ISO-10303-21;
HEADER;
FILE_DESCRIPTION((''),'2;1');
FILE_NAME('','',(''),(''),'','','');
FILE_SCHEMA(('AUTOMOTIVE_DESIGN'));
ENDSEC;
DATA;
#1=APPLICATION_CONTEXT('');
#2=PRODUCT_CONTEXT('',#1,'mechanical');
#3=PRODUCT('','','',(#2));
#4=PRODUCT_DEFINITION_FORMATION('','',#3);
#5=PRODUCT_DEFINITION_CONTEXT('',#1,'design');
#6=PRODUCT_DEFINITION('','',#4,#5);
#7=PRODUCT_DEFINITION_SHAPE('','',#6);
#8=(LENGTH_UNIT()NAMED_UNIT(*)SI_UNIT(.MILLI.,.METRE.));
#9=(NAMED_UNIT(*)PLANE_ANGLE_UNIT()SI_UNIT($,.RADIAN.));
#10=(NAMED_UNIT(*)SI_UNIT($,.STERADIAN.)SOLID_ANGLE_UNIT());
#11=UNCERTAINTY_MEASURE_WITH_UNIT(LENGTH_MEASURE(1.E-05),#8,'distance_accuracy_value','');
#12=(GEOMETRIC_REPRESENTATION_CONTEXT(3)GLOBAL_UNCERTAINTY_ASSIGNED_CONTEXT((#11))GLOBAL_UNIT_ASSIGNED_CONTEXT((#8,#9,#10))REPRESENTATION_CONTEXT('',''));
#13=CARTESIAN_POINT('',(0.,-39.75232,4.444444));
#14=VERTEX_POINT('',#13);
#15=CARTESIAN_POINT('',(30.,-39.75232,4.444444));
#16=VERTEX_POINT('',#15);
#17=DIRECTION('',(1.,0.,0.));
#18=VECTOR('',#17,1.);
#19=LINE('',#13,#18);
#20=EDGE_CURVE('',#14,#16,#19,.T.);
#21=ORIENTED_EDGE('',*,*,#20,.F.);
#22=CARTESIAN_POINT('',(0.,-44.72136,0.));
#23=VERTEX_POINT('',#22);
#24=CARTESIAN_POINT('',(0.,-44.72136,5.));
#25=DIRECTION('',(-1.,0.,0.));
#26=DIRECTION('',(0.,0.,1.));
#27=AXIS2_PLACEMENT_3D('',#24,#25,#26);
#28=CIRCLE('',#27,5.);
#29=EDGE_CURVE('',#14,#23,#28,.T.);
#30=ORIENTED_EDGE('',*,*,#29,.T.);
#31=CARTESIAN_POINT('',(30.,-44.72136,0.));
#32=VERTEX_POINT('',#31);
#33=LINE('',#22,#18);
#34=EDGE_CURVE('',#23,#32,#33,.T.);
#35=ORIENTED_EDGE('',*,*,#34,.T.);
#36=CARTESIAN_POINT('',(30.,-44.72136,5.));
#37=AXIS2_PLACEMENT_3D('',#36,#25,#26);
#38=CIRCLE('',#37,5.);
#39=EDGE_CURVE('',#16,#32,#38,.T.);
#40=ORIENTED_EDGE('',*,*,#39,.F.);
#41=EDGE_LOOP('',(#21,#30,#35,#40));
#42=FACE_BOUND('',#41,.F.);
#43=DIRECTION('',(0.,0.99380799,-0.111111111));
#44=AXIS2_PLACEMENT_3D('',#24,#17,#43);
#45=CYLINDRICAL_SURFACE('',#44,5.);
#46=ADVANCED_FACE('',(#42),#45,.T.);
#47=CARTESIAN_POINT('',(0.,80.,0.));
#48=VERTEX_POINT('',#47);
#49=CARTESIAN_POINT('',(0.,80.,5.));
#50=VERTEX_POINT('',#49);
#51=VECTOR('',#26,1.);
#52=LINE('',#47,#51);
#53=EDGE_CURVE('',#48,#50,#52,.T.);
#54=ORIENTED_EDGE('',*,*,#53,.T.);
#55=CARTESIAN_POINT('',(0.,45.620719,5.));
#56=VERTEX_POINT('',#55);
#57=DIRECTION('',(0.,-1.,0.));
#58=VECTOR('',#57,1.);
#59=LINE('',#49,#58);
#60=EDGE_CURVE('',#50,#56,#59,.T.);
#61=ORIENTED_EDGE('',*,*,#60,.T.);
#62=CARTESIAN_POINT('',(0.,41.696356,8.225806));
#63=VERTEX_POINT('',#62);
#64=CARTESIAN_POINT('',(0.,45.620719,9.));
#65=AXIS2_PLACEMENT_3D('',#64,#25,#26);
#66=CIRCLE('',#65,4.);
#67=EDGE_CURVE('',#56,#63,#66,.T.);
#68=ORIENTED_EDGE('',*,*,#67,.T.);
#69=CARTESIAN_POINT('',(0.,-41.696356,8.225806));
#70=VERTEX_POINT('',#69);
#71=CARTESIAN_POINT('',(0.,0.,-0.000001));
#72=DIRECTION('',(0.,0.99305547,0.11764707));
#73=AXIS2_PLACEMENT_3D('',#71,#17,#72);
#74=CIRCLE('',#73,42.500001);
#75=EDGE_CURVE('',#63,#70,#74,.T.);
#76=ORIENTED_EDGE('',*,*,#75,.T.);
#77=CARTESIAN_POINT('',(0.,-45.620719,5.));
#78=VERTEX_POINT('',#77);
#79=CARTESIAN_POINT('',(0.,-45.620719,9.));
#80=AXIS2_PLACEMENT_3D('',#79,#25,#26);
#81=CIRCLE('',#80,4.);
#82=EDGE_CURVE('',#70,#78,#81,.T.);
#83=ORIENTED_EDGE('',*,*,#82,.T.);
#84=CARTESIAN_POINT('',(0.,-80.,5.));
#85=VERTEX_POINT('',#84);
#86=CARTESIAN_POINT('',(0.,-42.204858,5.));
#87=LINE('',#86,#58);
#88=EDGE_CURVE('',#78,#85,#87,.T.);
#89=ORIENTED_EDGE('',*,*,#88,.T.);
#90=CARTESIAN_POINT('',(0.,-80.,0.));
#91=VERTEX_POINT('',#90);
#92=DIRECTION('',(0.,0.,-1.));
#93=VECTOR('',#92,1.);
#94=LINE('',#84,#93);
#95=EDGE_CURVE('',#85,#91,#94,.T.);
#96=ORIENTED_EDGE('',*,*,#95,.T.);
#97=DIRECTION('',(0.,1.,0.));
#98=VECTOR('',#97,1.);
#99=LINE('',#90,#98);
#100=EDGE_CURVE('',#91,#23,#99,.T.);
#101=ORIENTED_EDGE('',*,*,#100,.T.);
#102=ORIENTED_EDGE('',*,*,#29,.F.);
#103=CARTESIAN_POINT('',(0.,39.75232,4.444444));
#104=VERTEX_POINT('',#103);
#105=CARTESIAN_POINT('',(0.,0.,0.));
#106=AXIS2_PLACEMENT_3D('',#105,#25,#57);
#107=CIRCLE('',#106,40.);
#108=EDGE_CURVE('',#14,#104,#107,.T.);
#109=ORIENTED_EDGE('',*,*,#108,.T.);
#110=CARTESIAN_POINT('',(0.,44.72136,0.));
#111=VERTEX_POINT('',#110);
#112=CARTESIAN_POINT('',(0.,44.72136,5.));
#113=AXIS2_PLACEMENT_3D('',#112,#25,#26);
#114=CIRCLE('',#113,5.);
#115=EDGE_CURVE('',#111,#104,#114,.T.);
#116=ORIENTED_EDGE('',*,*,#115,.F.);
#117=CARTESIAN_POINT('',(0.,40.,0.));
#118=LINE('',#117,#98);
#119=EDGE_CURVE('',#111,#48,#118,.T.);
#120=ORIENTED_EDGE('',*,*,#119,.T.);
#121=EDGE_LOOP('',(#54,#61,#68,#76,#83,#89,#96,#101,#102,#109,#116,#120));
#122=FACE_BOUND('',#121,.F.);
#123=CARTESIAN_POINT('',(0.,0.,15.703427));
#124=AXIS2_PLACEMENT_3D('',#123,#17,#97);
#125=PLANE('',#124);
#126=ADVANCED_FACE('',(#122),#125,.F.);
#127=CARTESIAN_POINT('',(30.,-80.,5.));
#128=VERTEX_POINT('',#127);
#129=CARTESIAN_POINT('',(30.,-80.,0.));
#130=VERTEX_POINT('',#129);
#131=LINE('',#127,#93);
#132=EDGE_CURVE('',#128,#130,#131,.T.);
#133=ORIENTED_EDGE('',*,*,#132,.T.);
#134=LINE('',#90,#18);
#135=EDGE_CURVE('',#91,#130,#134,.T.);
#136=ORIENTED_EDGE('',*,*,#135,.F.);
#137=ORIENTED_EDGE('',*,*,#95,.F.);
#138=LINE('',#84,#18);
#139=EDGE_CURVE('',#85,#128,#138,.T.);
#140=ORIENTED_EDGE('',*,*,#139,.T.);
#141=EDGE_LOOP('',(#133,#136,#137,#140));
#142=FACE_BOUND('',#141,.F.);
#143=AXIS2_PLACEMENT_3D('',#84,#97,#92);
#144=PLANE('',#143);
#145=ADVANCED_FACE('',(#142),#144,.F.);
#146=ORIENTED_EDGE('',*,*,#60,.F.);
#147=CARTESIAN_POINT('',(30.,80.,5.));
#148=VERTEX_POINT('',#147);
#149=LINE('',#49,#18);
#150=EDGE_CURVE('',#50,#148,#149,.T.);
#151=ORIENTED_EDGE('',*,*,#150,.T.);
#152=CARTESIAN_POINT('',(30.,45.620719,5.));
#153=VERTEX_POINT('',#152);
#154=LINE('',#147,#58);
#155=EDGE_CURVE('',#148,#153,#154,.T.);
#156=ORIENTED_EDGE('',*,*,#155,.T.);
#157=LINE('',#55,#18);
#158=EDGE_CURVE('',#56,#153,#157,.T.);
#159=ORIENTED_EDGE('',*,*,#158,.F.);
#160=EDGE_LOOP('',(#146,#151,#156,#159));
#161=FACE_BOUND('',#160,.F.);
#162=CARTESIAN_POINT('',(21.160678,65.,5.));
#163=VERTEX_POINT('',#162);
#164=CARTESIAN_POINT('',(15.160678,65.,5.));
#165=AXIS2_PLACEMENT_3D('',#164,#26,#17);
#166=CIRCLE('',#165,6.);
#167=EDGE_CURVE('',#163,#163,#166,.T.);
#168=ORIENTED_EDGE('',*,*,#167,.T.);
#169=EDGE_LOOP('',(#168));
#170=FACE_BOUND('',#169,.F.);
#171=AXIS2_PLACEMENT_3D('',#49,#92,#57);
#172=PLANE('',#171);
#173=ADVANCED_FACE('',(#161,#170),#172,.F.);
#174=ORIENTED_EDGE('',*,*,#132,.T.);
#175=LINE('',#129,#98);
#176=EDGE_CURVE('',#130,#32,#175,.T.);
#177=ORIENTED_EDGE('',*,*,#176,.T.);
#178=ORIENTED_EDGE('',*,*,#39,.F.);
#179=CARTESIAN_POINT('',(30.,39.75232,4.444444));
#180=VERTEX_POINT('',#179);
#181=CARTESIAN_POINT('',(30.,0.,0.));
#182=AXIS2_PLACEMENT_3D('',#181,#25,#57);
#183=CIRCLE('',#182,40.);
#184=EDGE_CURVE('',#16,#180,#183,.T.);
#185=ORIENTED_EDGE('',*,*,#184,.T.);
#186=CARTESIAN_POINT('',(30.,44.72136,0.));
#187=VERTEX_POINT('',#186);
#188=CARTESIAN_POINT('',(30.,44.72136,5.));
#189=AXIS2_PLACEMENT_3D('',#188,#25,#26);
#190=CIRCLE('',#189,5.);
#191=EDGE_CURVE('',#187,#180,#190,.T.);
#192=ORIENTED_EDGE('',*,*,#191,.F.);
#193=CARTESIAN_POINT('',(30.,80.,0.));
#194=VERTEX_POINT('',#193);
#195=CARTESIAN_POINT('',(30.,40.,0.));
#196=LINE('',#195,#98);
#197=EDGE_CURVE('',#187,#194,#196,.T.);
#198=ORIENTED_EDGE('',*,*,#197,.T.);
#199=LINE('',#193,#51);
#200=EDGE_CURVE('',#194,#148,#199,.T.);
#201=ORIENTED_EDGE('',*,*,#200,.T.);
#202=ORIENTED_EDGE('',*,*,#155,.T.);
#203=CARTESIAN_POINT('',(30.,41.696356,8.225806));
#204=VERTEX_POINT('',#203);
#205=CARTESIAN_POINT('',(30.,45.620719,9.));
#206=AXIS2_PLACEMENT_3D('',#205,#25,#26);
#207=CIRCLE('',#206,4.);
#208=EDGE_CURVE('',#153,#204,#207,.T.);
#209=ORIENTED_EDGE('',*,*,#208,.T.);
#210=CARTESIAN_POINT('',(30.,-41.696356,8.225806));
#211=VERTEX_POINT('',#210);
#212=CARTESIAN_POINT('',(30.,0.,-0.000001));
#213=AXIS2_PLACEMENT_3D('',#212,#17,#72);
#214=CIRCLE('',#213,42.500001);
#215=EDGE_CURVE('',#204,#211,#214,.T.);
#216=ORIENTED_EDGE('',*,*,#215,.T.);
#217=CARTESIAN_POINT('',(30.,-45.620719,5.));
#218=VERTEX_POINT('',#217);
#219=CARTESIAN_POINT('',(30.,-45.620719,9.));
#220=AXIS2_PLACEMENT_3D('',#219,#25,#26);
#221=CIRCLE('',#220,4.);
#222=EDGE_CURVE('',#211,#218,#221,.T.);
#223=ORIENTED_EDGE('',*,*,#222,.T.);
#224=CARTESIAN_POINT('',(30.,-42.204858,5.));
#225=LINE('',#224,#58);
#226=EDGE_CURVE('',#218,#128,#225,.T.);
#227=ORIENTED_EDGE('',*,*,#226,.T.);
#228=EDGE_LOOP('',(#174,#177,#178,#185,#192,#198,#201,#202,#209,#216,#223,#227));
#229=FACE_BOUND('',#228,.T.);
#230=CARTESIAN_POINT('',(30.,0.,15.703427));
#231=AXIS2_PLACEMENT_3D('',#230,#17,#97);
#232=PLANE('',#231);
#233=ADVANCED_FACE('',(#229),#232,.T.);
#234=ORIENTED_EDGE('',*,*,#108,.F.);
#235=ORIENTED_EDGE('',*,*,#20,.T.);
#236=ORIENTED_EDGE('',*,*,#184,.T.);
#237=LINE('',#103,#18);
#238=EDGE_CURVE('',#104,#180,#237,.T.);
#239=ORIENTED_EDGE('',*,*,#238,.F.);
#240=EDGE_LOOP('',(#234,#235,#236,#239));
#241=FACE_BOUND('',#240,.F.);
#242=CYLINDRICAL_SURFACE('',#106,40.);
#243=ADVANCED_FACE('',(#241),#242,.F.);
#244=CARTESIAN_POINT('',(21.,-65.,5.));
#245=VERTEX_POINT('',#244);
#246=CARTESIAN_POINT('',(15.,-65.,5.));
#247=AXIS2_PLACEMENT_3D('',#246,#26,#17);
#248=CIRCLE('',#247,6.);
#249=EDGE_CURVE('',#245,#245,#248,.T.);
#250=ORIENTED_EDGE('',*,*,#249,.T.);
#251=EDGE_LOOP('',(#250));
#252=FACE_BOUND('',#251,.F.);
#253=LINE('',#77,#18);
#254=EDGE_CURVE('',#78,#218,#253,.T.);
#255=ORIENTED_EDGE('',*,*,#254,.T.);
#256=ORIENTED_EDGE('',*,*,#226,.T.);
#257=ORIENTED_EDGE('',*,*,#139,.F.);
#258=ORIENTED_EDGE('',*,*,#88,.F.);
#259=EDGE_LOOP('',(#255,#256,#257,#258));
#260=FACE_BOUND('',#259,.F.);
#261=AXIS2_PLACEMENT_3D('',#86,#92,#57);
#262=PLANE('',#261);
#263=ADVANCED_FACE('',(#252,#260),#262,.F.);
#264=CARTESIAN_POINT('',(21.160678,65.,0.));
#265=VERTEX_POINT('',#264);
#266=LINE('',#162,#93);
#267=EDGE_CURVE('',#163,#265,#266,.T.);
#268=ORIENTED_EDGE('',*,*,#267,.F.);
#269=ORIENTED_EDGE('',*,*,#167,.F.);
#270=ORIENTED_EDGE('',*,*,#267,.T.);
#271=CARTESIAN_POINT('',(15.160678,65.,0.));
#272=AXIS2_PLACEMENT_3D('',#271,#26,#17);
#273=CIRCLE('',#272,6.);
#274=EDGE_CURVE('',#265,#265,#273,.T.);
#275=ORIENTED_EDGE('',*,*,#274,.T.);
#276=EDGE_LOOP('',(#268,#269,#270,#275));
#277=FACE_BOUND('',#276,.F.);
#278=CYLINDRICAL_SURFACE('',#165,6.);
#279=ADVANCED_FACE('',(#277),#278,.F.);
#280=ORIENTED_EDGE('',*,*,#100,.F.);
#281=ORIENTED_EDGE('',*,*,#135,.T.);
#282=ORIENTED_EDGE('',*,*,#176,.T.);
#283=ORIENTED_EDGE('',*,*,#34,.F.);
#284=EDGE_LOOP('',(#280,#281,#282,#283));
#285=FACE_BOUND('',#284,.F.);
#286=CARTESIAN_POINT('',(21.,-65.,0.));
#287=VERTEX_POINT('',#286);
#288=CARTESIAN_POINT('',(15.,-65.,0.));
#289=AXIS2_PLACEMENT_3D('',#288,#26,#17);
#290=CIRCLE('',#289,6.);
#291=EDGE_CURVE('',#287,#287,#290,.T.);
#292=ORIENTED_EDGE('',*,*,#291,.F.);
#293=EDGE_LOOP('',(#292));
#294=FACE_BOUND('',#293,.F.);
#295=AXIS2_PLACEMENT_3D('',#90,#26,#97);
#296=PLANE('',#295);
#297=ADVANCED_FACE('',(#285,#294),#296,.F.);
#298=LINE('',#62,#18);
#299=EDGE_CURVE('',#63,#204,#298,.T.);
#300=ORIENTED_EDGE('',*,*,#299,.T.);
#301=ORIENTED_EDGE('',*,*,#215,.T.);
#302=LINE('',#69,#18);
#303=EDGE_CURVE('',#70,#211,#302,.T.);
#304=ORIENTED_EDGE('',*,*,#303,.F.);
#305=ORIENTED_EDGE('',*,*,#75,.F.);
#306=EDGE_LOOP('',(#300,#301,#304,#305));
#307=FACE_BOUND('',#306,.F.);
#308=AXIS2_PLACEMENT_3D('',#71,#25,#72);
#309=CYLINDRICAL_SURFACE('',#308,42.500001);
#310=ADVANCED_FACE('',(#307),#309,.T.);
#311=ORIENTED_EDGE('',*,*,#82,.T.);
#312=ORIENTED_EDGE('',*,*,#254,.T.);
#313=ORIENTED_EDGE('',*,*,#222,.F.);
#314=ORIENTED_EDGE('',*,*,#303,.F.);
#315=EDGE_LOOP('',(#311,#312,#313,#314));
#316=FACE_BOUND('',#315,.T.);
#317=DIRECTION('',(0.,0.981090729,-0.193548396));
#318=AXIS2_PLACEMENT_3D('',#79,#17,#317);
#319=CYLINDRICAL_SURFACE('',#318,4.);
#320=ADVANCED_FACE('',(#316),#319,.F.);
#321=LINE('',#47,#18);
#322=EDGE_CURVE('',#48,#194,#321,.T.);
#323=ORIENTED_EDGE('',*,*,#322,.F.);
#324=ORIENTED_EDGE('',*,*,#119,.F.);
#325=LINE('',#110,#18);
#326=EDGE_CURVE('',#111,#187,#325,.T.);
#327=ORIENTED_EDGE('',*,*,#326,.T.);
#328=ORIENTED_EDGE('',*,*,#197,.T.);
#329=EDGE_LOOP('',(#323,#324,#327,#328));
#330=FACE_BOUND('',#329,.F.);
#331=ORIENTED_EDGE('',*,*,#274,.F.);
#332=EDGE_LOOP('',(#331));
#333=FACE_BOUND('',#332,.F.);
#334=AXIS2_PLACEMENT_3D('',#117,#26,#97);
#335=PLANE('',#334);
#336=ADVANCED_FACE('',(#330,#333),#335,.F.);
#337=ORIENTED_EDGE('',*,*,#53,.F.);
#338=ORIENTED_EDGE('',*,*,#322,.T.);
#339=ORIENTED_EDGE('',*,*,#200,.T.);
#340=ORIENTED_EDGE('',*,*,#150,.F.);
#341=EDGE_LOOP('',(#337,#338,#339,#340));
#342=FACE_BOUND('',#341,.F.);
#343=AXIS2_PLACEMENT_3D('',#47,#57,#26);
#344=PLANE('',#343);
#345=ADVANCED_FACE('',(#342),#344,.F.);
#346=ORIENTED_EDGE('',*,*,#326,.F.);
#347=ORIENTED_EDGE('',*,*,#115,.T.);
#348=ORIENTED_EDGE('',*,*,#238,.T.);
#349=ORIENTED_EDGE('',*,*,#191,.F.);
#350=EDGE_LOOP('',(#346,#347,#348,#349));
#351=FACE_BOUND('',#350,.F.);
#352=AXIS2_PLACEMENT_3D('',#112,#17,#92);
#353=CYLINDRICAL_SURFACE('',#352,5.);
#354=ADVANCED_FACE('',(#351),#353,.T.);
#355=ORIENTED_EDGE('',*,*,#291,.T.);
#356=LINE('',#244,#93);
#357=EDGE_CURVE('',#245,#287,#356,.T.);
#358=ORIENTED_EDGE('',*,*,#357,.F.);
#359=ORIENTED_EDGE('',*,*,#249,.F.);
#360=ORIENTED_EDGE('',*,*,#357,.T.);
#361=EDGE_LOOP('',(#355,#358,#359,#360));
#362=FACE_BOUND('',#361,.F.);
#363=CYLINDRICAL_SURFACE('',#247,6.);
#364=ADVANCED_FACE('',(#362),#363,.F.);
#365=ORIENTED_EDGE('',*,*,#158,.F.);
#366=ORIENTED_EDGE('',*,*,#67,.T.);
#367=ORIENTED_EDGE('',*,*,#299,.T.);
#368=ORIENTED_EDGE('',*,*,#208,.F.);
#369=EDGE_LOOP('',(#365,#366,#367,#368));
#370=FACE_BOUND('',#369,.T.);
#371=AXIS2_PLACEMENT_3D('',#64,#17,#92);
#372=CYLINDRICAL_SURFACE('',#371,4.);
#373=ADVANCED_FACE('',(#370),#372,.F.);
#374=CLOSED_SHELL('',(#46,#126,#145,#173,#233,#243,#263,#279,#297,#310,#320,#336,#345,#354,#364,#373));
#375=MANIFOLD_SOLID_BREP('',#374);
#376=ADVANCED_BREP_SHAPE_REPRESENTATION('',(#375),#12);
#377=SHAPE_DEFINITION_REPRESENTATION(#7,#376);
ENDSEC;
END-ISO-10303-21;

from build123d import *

# Parameters (mm, degrees)
F1_DEPTH = 30
F2_R     = 4
F3_R     = 5
F4_R     = 6
F5_DEPTH = 25


with BuildPart() as f1:
    # F0 (on Right) → F1 (new body)
    with BuildSketch(Plane.YZ):
        with BuildLine():
            Line((80, 5), (42.204858, 5))
            ThreePointArc((42.204858, 5), (0, 42.5), (-42.204858, 5))
            Line((-42.204858, 5), (-80, 5))
            Line((-80, 5), (-80, 0))
            Line((-80, 0), (-40, 0))
            ThreePointArc((-40, 0), (0, 40), (40, 0))
            Line((40, 0), (80, 0))
            Line((80, 0), (80, 5))
        make_face()
    extrude(amount=F1_DEPTH)

    # F2
    f2_edges = [f1.edges().sort_by_distance(p)[0] for p in [
        (15, -42.204858, 5),
        (15, 42.204858, 5),
    ]]
    fillet(f2_edges, radius=F2_R)

    # F3
    f3_edges = [f1.edges().sort_by_distance(p)[0] for p in [
        (15, -40, 0),
        (15, 40, 0),
    ]]
    fillet(f3_edges, radius=F3_R)

    # F4 (on face) → F5 (cut)
    with BuildSketch(Plane.XY.offset(5)):
        with Locations((15, -65)):
            Circle(F4_R)
        with Locations((15.160678, 65)):
            Circle(F4_R)
    extrude(amount=-F5_DEPTH, mode=Mode.SUBTRACT)


solid = f1.part
